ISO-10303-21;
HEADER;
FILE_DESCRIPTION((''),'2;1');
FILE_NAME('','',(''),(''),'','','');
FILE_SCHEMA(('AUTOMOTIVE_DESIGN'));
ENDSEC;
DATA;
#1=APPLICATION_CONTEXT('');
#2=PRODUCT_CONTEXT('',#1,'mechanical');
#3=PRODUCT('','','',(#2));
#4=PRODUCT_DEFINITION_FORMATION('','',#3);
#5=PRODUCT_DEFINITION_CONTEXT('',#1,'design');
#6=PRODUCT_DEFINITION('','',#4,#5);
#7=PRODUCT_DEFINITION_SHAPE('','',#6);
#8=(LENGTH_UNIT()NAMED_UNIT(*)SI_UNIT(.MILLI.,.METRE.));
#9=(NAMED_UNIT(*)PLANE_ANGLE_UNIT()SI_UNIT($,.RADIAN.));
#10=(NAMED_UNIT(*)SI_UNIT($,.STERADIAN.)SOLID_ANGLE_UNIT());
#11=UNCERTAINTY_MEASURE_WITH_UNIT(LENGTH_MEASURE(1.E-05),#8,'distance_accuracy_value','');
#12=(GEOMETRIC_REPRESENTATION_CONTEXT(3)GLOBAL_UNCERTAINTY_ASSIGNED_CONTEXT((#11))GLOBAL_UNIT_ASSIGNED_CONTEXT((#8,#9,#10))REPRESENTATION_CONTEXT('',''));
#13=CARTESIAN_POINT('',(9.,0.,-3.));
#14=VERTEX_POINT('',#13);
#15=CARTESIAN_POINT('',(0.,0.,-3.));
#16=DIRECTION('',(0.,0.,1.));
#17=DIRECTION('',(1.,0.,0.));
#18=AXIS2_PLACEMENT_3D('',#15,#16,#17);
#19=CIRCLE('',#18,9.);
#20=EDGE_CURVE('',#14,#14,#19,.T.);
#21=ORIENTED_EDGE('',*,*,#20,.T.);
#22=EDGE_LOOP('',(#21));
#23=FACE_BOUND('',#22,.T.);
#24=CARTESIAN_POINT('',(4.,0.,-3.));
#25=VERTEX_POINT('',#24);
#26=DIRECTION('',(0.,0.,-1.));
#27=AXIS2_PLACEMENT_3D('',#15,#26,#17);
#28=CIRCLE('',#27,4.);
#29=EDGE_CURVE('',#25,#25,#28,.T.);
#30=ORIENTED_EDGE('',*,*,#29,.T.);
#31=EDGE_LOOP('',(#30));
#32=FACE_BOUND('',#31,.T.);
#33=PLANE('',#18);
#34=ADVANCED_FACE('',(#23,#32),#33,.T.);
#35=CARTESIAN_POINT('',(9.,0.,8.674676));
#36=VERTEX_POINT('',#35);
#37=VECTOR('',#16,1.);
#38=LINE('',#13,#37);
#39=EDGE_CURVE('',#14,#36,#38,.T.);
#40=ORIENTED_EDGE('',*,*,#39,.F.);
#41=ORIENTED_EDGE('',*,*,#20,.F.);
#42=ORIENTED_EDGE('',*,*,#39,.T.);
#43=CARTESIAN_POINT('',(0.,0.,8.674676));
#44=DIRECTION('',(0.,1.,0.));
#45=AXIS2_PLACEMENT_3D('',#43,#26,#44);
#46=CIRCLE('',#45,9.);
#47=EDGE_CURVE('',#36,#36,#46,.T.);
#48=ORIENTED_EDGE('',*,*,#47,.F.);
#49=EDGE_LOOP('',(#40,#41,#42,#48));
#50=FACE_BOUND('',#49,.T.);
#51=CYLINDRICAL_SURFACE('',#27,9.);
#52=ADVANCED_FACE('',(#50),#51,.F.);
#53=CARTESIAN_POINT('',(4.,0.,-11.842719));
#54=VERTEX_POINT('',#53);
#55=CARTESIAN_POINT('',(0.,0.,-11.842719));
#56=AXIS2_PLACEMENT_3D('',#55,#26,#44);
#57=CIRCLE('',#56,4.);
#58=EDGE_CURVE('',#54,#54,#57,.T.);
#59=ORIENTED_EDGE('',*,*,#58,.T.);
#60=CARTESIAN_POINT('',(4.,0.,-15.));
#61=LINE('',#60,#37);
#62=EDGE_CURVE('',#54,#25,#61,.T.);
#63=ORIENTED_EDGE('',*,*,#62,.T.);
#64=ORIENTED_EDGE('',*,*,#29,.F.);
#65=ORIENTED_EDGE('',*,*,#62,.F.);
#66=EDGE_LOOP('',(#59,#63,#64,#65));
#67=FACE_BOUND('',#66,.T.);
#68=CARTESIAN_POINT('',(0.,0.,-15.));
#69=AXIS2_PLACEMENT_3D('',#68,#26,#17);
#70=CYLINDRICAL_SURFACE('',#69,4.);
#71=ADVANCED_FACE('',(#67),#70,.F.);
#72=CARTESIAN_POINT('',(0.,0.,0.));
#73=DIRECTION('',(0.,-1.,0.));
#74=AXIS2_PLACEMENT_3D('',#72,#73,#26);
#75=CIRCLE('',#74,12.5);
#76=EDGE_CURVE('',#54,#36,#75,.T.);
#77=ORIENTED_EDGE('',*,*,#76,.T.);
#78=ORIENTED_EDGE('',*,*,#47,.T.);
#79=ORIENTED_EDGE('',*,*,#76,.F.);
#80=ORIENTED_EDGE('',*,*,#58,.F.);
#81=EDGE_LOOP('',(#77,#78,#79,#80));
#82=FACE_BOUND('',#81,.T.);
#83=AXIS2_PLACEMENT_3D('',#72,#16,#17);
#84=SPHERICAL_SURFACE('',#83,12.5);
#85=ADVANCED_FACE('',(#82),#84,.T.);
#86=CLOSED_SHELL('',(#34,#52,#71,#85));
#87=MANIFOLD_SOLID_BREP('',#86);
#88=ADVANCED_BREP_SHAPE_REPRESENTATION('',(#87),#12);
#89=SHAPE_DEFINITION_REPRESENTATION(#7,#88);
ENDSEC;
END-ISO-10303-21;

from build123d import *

# Parameters (mm, degrees)
CYLINDER001_R     = 9
CYLINDER001_DEPTH = 15
CYLINDER_R        = 4
CYLINDER_DEPTH    = 30


with BuildPart() as cylinder001:
    # Cylinder001 → Cylinder001 (new body)
    with BuildSketch(Plane.XY.offset(-3)):
        Circle(CYLINDER001_R)
    extrude(amount=CYLINDER001_DEPTH)


with BuildPart() as fusion:
    # Cylinder → Cylinder (new body)
    with BuildSketch(Plane.XY.offset(-15)):
        Circle(CYLINDER_R)
    extrude(amount=CYLINDER_DEPTH)

    # Fusion: union Cylinder001
    add(cylinder001.part)


with BuildPart() as final:
    # Sphere → Sphere (revolve)
    with BuildSketch(Plane.XZ):
        with BuildLine():
            ThreePointArc((0, -12.5), (12.5, 0), (0, 12.5))
            Line((0, 12.5), (0, -12.5))
        make_face()
    revolve(axis=Axis((0, 0, 0), (0, 0, 1)))

    # Cut: cut Fusion
    add(fusion.part, mode=Mode.SUBTRACT)


solid = final.part
